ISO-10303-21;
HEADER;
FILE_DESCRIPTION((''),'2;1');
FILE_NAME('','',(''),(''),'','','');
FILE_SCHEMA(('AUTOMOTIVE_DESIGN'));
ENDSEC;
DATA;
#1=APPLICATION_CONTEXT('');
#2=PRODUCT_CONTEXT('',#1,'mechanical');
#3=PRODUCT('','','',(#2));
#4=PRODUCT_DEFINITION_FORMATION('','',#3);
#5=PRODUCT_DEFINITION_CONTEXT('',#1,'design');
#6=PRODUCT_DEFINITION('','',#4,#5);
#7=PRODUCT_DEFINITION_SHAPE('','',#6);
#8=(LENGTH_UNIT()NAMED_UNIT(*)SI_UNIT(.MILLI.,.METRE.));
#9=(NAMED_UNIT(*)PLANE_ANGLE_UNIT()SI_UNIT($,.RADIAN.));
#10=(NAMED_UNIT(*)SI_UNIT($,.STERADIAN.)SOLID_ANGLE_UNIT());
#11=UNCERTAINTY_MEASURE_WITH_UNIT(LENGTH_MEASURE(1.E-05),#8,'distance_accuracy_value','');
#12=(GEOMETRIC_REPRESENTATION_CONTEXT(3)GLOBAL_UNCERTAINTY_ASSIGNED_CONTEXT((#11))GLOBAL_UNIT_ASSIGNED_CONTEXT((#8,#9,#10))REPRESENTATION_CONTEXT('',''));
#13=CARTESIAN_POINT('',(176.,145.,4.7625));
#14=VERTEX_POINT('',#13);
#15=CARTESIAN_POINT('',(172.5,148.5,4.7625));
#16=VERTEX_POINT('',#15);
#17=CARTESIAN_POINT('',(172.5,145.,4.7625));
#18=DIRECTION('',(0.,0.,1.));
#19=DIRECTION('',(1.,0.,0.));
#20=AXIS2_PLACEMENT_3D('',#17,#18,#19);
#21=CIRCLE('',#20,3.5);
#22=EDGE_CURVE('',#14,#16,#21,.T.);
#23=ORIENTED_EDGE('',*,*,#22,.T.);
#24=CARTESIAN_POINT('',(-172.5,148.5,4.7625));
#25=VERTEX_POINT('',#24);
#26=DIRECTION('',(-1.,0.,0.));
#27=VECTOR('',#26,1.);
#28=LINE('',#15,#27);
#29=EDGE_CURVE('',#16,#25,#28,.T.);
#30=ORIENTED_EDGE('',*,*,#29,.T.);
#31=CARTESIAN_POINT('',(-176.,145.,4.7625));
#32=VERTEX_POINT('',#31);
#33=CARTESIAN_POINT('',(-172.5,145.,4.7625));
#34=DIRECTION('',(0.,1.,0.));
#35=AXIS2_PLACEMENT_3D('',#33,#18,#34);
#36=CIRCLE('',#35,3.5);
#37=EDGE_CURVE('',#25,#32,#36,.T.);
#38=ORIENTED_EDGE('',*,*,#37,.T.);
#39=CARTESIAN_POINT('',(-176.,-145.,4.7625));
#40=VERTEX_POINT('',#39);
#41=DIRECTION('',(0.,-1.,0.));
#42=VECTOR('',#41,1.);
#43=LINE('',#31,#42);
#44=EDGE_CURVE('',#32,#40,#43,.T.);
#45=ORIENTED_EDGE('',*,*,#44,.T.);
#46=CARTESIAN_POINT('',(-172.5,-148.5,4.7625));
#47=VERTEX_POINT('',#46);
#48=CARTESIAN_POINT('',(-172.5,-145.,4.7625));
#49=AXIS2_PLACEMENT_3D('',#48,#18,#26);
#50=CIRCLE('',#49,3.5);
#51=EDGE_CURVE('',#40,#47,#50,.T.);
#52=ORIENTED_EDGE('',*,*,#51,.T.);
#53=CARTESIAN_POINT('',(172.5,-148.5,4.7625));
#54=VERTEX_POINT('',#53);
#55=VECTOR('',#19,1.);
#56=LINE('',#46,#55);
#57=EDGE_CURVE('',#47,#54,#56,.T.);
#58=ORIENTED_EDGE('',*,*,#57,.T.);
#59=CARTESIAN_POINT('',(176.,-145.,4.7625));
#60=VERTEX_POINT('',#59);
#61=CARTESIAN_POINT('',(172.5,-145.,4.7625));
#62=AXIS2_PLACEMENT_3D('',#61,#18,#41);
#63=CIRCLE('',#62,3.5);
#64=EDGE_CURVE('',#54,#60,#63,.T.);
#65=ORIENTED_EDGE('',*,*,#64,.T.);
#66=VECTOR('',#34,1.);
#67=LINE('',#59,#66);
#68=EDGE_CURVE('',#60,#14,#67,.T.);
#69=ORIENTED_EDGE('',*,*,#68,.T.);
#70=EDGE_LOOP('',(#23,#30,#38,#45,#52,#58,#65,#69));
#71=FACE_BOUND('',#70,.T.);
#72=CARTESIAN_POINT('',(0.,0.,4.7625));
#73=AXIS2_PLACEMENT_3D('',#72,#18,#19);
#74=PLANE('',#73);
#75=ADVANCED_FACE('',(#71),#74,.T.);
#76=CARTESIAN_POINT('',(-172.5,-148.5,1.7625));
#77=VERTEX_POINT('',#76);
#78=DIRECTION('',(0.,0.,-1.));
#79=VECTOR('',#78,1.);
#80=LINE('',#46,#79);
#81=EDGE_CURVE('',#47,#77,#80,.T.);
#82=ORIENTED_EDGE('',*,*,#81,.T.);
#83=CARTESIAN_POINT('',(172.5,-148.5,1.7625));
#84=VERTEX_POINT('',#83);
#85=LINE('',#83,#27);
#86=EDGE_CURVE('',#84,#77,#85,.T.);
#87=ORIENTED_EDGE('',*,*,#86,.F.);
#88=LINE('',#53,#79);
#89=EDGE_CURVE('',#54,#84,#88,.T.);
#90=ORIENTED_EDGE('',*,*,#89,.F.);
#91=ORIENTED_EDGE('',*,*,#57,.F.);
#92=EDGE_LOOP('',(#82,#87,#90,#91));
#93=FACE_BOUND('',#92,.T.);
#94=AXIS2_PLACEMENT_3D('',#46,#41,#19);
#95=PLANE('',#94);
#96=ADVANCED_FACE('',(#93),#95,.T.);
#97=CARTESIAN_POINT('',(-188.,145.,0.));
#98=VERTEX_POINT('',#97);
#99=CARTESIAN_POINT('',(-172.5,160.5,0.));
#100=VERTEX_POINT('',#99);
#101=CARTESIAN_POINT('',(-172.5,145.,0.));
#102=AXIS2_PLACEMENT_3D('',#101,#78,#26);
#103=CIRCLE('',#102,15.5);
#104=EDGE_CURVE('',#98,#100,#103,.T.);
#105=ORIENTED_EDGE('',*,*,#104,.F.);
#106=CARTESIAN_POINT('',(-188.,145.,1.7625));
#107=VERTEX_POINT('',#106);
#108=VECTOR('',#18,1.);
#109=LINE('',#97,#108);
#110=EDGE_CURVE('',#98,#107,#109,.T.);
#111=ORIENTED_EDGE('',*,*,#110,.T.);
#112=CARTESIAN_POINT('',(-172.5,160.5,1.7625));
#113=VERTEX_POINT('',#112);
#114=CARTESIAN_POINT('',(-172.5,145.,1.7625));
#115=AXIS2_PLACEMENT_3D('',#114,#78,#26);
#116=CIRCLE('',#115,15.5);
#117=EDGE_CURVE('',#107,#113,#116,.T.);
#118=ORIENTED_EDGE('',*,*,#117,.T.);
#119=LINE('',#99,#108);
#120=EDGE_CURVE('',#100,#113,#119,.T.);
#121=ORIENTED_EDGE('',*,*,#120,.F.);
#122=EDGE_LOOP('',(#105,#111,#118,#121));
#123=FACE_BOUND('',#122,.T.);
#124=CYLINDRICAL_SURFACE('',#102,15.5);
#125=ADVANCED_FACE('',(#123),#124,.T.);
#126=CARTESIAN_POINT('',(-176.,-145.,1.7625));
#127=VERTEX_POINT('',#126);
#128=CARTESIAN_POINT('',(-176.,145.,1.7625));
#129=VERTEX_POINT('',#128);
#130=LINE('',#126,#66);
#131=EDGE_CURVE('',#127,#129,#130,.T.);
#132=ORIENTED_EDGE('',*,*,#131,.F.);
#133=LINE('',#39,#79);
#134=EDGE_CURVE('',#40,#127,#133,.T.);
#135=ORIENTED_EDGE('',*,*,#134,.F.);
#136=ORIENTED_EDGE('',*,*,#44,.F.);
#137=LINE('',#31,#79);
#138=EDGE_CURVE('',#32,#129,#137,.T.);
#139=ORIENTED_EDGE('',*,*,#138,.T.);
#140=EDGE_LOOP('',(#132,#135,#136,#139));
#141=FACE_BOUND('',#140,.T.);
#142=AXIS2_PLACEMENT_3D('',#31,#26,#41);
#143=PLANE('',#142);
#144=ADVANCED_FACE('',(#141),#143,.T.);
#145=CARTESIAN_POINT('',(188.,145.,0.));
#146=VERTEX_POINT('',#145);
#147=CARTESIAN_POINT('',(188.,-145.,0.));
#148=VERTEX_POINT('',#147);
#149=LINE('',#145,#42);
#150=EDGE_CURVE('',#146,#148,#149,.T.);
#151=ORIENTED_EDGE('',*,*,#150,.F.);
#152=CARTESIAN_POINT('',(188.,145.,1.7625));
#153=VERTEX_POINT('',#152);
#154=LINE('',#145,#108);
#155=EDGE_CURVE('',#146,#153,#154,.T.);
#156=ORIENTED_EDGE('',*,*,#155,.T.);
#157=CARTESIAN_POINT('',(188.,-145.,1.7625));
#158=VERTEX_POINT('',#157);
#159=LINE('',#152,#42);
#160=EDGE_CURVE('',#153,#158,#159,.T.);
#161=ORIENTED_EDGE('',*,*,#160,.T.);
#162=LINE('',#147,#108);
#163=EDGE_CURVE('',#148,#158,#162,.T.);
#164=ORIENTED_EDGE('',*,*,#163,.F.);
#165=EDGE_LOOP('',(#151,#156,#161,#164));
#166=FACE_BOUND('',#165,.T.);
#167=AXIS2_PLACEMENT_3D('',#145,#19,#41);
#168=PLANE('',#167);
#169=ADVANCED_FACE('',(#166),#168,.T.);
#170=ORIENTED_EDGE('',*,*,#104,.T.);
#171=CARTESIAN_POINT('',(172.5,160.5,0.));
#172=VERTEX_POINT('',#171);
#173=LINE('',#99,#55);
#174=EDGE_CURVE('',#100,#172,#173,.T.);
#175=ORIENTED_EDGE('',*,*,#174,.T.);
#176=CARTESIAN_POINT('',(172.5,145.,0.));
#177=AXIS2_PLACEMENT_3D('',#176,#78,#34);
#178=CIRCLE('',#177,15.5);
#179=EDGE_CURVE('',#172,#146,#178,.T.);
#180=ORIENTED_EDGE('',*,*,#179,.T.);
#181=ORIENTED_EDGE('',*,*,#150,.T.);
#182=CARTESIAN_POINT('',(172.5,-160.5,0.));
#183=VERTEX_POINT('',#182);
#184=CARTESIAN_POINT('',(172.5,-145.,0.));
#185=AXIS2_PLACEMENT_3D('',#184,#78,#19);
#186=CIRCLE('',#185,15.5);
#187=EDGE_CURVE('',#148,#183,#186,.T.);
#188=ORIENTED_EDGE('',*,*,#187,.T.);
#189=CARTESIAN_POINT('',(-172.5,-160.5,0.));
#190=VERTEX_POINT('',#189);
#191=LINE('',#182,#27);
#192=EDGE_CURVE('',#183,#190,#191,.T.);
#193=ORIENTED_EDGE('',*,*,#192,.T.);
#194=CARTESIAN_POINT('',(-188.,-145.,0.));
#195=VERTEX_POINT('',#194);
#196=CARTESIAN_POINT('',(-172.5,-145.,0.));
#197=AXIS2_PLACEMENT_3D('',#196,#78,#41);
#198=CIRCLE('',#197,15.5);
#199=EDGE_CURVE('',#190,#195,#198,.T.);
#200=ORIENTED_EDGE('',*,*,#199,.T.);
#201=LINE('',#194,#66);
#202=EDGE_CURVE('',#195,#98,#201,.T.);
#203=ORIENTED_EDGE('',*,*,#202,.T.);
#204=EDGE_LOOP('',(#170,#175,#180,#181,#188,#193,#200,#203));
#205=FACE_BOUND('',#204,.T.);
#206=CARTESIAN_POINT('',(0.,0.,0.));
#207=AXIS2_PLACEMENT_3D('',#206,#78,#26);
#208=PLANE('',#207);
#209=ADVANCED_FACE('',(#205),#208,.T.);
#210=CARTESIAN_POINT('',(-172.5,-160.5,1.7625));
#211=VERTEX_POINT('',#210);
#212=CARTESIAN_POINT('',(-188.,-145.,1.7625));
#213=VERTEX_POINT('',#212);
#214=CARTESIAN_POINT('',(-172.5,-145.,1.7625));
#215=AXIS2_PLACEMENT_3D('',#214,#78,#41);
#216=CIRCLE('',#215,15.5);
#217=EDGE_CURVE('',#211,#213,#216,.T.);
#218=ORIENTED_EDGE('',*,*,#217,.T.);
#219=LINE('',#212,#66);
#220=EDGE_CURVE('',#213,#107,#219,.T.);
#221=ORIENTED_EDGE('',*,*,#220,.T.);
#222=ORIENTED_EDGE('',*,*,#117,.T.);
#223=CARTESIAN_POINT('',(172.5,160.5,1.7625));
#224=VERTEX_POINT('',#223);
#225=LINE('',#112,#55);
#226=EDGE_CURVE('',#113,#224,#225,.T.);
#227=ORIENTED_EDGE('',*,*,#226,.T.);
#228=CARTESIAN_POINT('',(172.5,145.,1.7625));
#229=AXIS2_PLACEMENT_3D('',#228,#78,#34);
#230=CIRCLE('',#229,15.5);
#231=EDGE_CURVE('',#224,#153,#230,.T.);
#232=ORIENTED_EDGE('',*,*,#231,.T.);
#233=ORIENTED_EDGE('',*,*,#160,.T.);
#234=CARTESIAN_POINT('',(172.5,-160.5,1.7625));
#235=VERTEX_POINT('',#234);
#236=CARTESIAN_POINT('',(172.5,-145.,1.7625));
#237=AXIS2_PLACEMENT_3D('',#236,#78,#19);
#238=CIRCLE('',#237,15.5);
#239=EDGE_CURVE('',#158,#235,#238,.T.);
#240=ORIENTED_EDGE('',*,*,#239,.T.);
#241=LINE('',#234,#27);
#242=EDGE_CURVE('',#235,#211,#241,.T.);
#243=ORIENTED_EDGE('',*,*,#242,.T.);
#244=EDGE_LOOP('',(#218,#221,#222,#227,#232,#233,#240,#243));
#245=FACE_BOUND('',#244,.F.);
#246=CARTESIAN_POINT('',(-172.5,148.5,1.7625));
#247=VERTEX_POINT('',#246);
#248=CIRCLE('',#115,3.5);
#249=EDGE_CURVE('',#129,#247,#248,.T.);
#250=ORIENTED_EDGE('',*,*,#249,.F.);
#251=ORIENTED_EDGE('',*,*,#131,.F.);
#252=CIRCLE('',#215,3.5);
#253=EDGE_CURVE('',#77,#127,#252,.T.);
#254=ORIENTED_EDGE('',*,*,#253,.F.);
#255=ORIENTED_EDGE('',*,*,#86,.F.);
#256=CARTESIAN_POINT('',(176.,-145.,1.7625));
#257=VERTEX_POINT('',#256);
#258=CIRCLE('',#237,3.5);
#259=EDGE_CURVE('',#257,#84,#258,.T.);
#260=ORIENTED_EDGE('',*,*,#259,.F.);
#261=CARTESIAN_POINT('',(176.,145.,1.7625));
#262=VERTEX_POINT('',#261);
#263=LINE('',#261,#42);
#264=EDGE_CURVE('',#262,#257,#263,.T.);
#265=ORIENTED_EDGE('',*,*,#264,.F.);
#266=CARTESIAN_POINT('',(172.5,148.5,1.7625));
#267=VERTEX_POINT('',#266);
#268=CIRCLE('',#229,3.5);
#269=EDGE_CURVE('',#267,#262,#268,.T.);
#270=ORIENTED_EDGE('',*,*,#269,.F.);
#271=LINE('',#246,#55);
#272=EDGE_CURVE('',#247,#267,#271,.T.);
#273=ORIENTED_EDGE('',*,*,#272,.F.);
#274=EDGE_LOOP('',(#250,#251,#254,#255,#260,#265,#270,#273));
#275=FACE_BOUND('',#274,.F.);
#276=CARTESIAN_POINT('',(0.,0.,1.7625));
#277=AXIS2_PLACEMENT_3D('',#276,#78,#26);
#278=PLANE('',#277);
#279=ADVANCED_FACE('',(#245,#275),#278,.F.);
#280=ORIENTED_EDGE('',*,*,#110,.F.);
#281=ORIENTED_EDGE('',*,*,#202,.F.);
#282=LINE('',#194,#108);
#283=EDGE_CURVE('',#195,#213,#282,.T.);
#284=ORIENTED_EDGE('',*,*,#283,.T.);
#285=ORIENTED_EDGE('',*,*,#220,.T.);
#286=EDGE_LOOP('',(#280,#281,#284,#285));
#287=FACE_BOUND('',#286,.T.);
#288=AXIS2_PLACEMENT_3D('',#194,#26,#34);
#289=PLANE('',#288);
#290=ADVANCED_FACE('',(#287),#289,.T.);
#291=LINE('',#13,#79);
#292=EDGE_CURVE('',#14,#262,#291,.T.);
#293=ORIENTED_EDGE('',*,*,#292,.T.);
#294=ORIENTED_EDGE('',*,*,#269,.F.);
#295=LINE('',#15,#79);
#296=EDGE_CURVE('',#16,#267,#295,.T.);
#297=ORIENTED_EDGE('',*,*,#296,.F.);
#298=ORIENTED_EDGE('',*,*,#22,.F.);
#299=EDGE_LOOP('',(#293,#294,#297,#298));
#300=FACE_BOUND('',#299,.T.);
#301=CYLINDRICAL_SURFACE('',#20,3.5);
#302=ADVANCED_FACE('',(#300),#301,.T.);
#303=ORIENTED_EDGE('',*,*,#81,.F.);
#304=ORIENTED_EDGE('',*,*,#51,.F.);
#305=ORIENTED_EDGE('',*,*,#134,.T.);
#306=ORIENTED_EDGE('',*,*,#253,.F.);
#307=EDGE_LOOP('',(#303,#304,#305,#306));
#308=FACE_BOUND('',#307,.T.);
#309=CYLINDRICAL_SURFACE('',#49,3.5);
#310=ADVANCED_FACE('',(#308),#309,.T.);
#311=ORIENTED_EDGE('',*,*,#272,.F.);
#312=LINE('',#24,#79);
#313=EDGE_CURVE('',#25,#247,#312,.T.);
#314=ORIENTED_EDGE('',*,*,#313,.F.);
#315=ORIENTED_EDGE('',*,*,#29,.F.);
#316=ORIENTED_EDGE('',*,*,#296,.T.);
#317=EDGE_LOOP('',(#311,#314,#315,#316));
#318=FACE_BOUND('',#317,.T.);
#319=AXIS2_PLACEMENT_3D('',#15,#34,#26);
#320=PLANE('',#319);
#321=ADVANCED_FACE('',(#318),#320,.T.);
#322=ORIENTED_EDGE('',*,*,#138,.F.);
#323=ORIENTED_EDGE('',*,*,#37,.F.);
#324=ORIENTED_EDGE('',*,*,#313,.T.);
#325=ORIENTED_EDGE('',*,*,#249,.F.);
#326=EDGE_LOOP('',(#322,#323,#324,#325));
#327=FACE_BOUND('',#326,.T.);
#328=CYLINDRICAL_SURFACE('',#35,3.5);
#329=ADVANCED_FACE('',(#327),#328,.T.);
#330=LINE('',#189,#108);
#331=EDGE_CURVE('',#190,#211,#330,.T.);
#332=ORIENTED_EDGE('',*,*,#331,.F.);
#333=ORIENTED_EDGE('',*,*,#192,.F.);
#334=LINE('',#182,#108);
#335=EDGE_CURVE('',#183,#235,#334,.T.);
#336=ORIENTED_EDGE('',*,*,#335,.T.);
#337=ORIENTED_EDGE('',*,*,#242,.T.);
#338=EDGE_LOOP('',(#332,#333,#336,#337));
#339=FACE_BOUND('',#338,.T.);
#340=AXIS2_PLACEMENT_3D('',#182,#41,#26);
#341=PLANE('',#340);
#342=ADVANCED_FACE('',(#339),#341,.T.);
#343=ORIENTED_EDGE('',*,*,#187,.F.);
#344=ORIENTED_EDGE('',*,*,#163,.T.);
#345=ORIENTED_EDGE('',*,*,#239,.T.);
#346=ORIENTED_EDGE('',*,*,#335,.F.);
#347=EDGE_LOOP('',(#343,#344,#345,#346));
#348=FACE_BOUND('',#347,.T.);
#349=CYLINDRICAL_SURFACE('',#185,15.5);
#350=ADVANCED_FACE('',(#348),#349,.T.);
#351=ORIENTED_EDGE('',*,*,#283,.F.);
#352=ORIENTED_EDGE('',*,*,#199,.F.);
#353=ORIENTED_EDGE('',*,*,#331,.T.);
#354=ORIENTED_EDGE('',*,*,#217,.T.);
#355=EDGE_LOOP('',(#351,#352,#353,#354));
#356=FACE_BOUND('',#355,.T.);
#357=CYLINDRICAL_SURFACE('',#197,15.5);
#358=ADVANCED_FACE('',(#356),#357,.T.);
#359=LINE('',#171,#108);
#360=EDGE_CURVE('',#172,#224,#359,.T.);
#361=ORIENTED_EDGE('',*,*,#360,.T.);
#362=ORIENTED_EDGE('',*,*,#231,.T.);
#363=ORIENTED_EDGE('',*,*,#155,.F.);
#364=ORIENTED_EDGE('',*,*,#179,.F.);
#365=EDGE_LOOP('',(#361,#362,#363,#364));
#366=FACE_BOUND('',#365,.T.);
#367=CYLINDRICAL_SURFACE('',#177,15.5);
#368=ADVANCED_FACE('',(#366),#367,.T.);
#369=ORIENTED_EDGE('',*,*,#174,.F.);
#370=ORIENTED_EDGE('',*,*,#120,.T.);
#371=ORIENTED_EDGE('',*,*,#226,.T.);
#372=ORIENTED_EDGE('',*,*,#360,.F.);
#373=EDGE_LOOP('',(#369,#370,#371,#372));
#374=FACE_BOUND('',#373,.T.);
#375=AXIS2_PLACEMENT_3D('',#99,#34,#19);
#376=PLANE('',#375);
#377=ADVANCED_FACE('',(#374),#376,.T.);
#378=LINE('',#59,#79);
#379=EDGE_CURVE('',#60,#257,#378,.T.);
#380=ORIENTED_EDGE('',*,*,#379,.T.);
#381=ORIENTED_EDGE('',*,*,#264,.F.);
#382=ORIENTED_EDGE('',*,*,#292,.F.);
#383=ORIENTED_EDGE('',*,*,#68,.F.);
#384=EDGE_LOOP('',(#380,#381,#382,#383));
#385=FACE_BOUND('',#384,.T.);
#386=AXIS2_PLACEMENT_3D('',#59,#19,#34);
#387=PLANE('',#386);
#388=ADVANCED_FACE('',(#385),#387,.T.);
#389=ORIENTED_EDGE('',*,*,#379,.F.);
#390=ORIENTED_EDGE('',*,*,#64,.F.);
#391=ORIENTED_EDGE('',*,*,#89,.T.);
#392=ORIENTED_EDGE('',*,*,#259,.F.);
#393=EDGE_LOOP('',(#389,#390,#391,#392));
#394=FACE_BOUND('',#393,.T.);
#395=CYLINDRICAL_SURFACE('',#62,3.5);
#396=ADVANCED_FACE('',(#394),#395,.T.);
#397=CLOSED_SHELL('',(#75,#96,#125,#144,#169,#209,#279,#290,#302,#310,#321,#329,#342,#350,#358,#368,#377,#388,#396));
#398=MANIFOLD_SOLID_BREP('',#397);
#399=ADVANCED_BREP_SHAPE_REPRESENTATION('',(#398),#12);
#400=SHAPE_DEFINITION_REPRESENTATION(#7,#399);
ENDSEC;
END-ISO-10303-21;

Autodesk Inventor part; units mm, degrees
ref_plane "YZ Plane" through (0, 0, 0) normal (1, 0, 0) x (0, 1, 0)
ref_plane "XZ Plane" through (0, 0, 0) normal (0, 1, 0) x (-1, 0, 0)
sketch "Sketch1" plane through (0, 0, 0) normal (0, 0, 1) x (1, 0, 0)
  line L0 (176.5, -149) -> (-176.5, -149)
  line L1 (-176.5, -149) -> (-176.5, 149)
  line L2 (-176.5, 149) -> (176.5, 149)
  line L3 (176.5, 149) -> (176.5, -149)
  line L4 (176.5, -149) -> (-176.5, 149) construction
  line L5 (-176.5, -149) -> (176.5, 149) construction
  point P0 (0, 0)
  dimension "d0" = 353
  dimension "d1" = 298
extrude "Extrusion1" add sketch "Sketch1" along normal blind 4.7625
fillet "Fillet1" radius 4 4 edges at (-176.5, -149, 2.3813) (176.5, -149, 2.3813) (176.5, 149, 2.3813) (-176.5, 149, 2.3813)
sketch "Sketch2" plane through (0, 0, 4.7625) normal (0, 0, 1) x (1, 0, 0)
  arc A0 (-172.5, 149) -> (-176.5, 145) centre (-172.5, 145) ccw projected
  line L0 (-176.5, 145) -> (-176.5, -145) projected
  arc A1 (-176.5, -145) -> (-172.5, -149) centre (-172.5, -145) ccw projected
  line L1 (-172.5, -149) -> (172.5, -149) projected
  arc A2 (172.5, -149) -> (176.5, -145) centre (172.5, -145) ccw projected
  line L2 (176.5, -145) -> (176.5, 145) projected
  arc A3 (176.5, 145) -> (172.5, 149) centre (172.5, 145) ccw projected
  line L3 (172.5, 149) -> (-172.5, 149) projected
  arc A4 (-172.5, 148.5) -> (-176, 145) centre (-172.5, 145) ccw
  line L4 (-176, 145) -> (-176, -145)
  arc A5 (-176, -145) -> (-172.5, -148.5) centre (-172.5, -145) ccw
  line L5 (-172.5, -148.5) -> (172.5, -148.5)
  arc A6 (172.5, -148.5) -> (176, -145) centre (172.5, -145) ccw
  line L6 (176, -145) -> (176, 145)
  arc A7 (176, 145) -> (172.5, 148.5) centre (172.5, 145) ccw
  line L7 (172.5, 148.5) -> (-172.5, 148.5)
  point P0 (0, 0)
  dimension "d5" = 0.5
extrude "Extrusion2" cut sketch "Sketch2" against normal through all
sketch "Sketch3" plane through (0, 0, 0) normal (0, 0, -1) x (-1, 0, 0)
  arc A0 (-172.5, 148.5) -> (-176, 145) centre (-172.5, 145) ccw projected
  line L0 (-176, 145) -> (-176, -145) projected
  arc A1 (-176, -145) -> (-172.5, -148.5) centre (-172.5, -145) ccw projected
  line L1 (-172.5, -148.5) -> (172.5, -148.5) projected
  arc A2 (172.5, -148.5) -> (176, -145) centre (172.5, -145) ccw projected
  line L2 (176, -145) -> (176, 145) projected
  arc A3 (176, 145) -> (172.5, 148.5) centre (172.5, 145) ccw projected
  line L3 (172.5, 148.5) -> (-172.5, 148.5) projected
  arc A4 (-172.5, 160.5) -> (-188, 145) centre (-172.5, 145) ccw
  line L4 (-188, 145) -> (-188, -145)
  arc A5 (-188, -145) -> (-172.5, -160.5) centre (-172.5, -145) ccw
  line L5 (-172.5, -160.5) -> (172.5, -160.5)
  arc A6 (172.5, -160.5) -> (188, -145) centre (172.5, -145) ccw
  line L6 (188, -145) -> (188, 145)
  arc A7 (188, 145) -> (172.5, 160.5) centre (172.5, 145) ccw
  line L7 (172.5, 160.5) -> (-172.5, 160.5)
  point P0 (0, 0)
  dimension "d8" = 12
ref_plane "Work Plane1" through (0, 0, 1.7625) normal (0, 0, 1) x (1, 0, 0)
extrude "Extrusion3" add sketch "Sketch3" against normal up to surface (1.7625 mm away)
properties part number "Door Window" material "Polycarbonate, Smoke"
